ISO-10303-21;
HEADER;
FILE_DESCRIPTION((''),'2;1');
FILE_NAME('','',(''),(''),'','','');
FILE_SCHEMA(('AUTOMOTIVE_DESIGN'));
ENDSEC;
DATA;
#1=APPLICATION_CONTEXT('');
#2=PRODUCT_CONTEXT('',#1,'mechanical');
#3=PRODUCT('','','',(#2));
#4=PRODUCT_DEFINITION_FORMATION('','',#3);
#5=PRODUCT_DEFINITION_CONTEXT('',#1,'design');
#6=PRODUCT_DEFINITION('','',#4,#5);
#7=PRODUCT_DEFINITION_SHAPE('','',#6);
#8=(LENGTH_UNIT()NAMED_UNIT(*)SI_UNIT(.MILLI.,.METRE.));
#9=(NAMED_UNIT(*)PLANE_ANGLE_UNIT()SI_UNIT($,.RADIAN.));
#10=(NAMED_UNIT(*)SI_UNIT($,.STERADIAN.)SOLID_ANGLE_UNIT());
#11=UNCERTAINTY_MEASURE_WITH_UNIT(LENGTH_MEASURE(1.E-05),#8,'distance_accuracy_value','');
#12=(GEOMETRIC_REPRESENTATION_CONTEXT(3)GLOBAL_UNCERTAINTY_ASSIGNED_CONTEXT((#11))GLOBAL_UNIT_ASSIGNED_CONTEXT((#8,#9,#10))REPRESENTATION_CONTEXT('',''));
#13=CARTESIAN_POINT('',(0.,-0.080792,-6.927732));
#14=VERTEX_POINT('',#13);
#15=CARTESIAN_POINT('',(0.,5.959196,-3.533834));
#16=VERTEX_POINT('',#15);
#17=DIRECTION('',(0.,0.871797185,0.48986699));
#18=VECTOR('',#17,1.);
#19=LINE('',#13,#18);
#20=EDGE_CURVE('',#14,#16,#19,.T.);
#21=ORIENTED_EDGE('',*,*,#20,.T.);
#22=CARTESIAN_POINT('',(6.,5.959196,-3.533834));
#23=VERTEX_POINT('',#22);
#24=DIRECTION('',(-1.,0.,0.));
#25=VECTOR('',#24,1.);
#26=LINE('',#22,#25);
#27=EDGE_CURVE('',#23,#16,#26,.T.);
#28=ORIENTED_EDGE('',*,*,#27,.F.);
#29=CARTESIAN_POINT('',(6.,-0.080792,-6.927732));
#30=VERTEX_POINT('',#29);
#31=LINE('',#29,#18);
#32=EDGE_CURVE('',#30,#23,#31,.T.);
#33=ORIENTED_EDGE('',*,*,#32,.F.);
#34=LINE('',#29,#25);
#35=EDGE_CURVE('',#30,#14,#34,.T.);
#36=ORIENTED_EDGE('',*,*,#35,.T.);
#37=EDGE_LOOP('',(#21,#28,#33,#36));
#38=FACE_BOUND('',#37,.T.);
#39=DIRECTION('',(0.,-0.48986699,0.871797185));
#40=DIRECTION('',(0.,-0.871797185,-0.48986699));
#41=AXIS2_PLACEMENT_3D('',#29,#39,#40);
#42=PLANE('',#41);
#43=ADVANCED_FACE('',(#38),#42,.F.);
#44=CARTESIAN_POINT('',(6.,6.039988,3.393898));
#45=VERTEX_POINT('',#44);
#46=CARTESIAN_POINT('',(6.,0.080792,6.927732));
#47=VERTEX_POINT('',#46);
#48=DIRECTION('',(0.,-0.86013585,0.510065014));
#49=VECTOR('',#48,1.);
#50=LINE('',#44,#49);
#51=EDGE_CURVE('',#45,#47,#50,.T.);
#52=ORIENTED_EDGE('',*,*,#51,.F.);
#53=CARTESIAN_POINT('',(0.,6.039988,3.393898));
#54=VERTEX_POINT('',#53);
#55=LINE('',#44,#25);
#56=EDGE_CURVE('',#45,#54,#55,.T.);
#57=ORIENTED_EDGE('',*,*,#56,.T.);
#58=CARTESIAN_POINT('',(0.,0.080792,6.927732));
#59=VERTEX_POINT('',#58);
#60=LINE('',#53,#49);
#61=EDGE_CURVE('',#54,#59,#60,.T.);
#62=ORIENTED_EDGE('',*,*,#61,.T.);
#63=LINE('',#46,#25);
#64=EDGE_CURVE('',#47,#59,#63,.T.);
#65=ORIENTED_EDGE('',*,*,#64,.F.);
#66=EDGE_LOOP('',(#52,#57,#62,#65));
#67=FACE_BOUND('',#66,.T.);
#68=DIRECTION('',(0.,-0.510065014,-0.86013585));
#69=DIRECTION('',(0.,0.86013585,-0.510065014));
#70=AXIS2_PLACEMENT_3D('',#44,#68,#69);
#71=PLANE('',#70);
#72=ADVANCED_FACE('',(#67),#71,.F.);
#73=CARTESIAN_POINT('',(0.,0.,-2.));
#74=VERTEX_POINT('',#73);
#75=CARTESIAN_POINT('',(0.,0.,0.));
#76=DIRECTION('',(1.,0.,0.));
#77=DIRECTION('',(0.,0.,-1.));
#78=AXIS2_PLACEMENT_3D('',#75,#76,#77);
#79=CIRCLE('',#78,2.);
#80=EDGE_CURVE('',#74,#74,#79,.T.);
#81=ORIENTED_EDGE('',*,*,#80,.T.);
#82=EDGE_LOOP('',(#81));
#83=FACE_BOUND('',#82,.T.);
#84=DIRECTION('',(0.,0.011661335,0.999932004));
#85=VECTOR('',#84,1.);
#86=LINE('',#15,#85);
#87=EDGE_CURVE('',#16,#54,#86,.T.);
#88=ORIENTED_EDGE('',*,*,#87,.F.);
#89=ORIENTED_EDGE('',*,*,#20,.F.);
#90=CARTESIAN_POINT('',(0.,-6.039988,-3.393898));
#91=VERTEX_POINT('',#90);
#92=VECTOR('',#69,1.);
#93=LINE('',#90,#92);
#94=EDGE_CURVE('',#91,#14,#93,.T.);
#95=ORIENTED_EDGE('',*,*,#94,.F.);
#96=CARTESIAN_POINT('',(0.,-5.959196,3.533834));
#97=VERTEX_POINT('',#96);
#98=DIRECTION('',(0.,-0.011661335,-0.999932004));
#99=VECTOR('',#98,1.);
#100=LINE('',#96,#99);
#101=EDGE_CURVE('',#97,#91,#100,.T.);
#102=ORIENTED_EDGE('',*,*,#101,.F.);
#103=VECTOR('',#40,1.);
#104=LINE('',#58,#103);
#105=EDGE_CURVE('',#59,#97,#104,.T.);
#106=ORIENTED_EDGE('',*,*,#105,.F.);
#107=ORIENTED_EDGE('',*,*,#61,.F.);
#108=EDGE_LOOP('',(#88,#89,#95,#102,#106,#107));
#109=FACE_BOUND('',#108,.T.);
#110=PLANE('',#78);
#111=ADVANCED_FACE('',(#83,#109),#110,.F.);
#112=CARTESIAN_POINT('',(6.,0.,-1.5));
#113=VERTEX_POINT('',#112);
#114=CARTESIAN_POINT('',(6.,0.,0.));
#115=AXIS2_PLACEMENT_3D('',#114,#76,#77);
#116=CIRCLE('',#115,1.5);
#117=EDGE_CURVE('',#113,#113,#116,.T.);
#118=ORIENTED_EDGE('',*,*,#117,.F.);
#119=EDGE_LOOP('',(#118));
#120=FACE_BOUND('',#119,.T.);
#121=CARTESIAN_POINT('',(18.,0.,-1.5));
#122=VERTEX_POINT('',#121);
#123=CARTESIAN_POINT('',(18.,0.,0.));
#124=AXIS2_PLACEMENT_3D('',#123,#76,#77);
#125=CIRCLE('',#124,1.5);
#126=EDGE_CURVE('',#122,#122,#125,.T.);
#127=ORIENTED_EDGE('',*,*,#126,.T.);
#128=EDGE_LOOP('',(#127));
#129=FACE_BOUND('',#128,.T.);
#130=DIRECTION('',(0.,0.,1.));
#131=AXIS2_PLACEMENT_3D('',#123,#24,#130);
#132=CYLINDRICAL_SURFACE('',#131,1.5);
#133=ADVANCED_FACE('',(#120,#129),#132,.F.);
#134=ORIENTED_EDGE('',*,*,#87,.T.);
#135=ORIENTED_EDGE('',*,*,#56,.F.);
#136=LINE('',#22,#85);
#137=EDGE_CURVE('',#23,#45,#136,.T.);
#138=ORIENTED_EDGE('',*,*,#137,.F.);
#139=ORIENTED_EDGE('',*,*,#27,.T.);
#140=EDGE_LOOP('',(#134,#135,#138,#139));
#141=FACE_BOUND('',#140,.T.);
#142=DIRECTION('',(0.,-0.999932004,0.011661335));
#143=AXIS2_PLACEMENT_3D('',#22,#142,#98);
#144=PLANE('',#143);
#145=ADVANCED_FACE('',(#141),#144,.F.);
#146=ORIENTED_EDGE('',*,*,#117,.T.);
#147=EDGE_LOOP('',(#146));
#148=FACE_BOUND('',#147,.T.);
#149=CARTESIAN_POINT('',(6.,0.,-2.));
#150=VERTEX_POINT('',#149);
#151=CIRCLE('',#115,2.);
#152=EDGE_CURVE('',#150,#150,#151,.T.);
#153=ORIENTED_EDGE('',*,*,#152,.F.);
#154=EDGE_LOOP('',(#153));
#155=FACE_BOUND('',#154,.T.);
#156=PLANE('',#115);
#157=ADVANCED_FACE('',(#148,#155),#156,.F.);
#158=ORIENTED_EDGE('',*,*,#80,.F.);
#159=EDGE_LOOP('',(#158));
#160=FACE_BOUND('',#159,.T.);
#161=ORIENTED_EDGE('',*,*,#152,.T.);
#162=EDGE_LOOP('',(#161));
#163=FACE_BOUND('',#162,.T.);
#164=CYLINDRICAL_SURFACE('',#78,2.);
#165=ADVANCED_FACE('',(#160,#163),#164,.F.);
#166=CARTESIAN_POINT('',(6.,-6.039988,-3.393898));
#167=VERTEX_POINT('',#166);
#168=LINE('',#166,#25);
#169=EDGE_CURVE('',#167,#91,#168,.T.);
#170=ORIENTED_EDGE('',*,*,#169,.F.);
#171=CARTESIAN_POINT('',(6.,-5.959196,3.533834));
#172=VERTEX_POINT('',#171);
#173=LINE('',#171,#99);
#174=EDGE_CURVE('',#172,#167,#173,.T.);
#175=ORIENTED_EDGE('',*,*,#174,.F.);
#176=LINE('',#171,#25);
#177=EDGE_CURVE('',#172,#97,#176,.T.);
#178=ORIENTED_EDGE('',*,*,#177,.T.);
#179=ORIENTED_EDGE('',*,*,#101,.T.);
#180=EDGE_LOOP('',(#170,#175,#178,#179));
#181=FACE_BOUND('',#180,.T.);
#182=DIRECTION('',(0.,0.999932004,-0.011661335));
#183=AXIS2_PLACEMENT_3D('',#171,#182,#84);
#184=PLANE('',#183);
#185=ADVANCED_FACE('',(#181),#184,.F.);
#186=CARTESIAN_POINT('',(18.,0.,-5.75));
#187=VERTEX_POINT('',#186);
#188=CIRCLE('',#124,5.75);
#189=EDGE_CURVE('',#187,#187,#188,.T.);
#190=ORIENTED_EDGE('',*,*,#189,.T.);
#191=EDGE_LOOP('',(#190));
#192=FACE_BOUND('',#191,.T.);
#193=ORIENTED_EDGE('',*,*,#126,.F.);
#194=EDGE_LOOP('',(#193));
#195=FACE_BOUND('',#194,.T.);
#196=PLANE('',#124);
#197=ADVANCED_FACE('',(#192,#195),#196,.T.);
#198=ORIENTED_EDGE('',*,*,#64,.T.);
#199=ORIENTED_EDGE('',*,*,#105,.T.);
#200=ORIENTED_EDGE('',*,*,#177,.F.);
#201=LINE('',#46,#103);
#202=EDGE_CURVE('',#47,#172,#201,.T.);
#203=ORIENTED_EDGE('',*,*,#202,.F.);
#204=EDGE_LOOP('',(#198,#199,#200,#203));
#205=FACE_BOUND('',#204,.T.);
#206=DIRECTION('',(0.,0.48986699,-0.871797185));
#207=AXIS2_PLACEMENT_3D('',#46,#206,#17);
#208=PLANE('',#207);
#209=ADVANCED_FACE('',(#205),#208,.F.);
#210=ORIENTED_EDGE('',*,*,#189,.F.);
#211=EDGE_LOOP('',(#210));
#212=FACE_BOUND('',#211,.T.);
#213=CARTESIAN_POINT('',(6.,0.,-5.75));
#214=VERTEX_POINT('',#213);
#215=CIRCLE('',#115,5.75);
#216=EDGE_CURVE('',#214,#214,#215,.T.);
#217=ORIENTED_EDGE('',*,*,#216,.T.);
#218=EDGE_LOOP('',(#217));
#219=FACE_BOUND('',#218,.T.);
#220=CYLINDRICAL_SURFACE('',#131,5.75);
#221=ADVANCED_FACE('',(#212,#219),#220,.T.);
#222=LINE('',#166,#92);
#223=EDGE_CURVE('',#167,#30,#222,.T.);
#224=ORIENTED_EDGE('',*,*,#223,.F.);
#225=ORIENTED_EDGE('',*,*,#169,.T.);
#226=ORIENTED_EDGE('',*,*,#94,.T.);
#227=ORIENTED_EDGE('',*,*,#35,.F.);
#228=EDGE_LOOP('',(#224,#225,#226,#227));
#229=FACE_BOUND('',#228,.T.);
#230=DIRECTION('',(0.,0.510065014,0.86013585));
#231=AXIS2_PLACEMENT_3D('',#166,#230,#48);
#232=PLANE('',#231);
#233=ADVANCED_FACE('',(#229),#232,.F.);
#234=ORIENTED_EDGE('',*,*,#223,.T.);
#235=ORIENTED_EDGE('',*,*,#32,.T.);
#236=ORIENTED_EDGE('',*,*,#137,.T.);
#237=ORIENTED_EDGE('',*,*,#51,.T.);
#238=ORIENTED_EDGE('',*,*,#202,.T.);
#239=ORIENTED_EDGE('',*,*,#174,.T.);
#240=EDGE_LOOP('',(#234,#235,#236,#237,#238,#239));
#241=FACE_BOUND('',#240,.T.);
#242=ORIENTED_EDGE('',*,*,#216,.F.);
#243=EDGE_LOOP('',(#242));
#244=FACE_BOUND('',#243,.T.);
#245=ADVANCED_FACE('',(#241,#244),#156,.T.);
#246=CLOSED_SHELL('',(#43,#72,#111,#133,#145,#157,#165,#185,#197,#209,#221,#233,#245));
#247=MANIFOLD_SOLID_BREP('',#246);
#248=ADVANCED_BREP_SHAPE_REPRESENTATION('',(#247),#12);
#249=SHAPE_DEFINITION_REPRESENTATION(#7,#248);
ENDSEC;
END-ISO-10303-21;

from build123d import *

# Parameters (mm, degrees)
BOSS_EXTRUDE1_DEPTH = 6
SKETCH2_R           = 2
CUT_EXTRUDE1_DEPTH  = 6
SKETCH3_R           = 5.75
SKETCH3_R_2         = 1.5
BOSS_EXTRUDE2_DEPTH = 12


with BuildPart() as part:
    # Sketch1 → Boss-Extrude1 (new body)
    with BuildSketch(Plane(origin=(0, 0, 0), x_dir=(0, 0, -1), z_dir=(1, 0, 0))):
        Polygon((3.393898061, -6.039988075), (6.927732142, -0.080792099), (3.533834081, 5.959195977), (-3.393898061, 6.039988075), (-6.927732142, 0.080792099), (-3.533834081, -5.959195977), align=None)
    extrude(amount=BOSS_EXTRUDE1_DEPTH)

    # Sketch2 → Cut-Extrude1 (cut)
    with BuildSketch(Plane(origin=(6, 0, 0), x_dir=(0, 0, -1), z_dir=(1, 0, 0))):
        Circle(SKETCH2_R)
    extrude(amount=-CUT_EXTRUDE1_DEPTH, mode=Mode.SUBTRACT)

    # Sketch3 → Boss-Extrude2 (add)
    with BuildSketch(Plane(origin=(6, 0, 0), x_dir=(0, 0, -1), z_dir=(1, 0, 0))):
        Circle(SKETCH3_R)
        Circle(SKETCH3_R_2, mode=Mode.SUBTRACT)
    extrude(amount=BOSS_EXTRUDE2_DEPTH)


solid = part.part
